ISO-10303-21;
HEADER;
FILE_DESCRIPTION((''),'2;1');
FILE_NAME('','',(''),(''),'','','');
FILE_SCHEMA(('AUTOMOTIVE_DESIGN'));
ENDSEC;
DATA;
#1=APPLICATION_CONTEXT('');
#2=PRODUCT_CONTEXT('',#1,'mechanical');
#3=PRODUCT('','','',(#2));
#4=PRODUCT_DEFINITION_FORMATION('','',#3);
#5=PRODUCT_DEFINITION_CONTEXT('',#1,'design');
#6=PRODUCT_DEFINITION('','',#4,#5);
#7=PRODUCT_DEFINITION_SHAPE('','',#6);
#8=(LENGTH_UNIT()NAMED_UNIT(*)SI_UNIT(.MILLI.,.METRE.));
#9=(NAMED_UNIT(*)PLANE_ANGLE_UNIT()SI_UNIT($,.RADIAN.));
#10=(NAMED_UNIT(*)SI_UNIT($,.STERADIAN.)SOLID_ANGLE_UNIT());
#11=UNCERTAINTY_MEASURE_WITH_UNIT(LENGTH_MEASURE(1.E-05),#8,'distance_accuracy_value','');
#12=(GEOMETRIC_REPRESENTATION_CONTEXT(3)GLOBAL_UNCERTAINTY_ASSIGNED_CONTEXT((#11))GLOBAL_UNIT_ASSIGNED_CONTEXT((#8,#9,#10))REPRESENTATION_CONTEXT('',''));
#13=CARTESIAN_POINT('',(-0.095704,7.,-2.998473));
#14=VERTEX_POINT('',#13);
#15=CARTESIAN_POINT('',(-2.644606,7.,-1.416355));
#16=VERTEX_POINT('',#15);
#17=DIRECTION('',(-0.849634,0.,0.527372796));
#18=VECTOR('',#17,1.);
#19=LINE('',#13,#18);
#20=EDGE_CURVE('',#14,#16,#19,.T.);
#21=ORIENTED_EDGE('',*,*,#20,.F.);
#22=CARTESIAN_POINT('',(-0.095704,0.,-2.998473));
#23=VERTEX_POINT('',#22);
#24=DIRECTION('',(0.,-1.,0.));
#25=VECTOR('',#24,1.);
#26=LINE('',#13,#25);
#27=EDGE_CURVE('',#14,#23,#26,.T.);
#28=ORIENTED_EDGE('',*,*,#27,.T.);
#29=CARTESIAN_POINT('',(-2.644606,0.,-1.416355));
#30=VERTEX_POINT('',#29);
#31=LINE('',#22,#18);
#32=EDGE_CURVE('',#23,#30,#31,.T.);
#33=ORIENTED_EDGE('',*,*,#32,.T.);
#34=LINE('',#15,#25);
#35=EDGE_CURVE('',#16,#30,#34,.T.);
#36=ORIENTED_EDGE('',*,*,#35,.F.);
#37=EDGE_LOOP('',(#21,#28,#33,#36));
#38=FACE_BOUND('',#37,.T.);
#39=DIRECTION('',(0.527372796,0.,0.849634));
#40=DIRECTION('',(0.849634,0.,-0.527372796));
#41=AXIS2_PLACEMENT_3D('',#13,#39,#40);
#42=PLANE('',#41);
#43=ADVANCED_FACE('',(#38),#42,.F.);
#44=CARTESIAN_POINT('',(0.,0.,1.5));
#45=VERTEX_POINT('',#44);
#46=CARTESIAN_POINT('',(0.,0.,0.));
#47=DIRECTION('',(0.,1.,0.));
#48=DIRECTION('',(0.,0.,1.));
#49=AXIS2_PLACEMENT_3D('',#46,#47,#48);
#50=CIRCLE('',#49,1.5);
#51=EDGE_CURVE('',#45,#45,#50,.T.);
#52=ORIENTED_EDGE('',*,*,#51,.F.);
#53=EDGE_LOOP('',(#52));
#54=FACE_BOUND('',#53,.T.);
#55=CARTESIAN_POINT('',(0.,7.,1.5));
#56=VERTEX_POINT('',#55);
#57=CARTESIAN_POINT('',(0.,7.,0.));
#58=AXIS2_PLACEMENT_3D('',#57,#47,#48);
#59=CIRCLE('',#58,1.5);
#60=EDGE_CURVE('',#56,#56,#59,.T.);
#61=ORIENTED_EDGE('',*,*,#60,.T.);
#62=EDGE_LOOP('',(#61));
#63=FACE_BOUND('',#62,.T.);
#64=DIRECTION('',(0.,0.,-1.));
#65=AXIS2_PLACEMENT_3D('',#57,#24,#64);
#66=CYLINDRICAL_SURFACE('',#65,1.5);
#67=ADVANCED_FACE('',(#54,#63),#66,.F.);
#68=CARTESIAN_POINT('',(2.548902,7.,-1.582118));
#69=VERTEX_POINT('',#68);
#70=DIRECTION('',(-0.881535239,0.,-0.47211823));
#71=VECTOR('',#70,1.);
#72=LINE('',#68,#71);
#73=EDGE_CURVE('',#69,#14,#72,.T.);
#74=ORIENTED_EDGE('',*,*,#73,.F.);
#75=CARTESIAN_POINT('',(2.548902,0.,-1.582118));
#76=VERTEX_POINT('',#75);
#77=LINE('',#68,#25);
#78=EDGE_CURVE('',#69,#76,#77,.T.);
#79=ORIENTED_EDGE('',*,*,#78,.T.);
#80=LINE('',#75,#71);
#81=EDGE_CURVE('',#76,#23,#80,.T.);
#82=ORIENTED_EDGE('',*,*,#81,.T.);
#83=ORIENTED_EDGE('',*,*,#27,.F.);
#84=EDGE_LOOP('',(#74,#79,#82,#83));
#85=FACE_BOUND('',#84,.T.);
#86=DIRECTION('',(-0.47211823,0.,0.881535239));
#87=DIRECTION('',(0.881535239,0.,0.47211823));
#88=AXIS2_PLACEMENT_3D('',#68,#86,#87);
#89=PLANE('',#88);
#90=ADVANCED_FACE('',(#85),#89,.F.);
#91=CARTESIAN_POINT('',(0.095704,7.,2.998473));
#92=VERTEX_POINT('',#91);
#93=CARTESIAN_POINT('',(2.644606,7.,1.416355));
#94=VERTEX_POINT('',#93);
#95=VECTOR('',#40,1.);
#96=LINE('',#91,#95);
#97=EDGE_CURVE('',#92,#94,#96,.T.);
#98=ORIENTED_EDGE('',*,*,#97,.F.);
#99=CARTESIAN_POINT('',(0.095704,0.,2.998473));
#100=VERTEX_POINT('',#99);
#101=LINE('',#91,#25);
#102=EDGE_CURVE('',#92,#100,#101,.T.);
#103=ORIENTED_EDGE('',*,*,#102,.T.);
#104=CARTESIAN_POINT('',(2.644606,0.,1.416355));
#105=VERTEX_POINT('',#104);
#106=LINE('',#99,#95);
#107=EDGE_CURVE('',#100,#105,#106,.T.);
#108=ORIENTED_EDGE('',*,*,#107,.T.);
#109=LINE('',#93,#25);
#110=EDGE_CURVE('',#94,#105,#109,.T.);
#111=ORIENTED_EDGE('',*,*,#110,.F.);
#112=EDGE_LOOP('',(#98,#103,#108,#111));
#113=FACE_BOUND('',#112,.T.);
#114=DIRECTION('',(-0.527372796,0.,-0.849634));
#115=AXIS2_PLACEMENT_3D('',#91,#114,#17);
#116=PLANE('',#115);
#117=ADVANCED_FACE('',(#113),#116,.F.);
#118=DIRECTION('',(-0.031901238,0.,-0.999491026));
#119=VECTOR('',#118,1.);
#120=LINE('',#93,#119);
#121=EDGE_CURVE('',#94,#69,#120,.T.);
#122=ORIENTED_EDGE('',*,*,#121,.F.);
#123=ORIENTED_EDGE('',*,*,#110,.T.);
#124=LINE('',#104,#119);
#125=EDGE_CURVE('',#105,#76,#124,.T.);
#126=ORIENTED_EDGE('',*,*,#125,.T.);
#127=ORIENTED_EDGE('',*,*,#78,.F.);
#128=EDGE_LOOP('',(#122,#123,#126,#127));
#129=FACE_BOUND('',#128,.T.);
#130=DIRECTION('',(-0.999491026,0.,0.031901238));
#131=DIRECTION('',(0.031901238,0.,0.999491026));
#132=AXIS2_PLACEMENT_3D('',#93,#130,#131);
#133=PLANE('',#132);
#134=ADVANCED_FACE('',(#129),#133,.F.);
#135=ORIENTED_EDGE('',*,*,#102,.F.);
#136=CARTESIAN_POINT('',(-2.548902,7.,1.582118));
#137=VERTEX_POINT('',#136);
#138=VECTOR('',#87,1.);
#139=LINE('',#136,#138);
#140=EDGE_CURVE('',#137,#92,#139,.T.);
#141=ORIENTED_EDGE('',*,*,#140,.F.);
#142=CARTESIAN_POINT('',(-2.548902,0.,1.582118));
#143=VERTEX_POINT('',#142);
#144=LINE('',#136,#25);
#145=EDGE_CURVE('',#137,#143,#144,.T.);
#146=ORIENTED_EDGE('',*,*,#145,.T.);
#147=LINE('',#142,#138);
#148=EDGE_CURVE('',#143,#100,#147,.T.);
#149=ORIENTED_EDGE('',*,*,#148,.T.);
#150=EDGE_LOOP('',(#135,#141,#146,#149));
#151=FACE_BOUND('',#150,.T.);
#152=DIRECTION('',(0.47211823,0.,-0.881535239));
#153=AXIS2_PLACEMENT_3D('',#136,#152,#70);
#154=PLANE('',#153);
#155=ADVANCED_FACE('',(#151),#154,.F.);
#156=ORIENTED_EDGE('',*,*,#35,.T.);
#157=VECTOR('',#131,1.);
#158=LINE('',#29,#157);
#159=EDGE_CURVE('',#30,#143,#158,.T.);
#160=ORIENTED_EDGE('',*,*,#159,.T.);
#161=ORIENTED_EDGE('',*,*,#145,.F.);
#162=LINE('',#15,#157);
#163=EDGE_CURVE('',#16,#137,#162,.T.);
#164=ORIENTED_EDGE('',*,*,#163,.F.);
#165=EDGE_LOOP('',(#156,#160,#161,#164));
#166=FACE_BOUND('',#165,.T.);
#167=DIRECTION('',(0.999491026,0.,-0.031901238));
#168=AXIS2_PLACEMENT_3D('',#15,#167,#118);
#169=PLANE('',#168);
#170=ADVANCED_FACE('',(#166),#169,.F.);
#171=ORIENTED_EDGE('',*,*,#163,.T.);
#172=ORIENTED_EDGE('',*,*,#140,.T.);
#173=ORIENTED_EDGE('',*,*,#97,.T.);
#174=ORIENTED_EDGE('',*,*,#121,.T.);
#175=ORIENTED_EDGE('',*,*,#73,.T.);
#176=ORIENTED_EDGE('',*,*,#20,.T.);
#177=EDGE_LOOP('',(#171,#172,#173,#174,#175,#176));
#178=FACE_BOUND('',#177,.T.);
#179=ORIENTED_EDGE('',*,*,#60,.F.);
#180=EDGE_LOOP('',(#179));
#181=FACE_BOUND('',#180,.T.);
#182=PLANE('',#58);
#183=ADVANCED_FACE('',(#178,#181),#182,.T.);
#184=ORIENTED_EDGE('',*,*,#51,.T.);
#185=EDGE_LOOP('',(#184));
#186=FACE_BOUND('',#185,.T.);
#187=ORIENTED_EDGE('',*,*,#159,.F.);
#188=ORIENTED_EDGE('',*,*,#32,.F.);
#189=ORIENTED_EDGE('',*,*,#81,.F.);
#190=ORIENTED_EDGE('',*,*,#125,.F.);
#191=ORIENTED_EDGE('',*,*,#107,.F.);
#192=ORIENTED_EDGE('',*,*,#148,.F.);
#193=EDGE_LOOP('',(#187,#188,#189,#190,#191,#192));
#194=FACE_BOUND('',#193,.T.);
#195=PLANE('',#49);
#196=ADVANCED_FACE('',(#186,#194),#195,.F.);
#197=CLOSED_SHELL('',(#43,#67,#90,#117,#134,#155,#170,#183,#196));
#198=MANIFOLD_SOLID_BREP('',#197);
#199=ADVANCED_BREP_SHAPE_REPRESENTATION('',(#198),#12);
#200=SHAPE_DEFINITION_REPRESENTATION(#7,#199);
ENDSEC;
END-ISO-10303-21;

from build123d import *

# Parameters (mm, degrees)
SKETCH1_R           = 1.5
BOSS_EXTRUDE2_DEPTH = 7


with BuildPart() as part:
    # Sketch1 → Boss-Extrude2 (new body)
    with BuildSketch(Plane(origin=(0, 0, 0), x_dir=(1, 0, 0), z_dir=(0, 1, 0))):
        Polygon((2.548902001, 1.582118387), (-0.095703715, 2.998473078), (-2.644605716, 1.416354691), (-2.548902001, -1.582118387), (0.095703715, -2.998473078), (2.644605716, -1.416354691), align=None)
        Circle(SKETCH1_R, mode=Mode.SUBTRACT)
    extrude(amount=BOSS_EXTRUDE2_DEPTH)


solid = part.part
